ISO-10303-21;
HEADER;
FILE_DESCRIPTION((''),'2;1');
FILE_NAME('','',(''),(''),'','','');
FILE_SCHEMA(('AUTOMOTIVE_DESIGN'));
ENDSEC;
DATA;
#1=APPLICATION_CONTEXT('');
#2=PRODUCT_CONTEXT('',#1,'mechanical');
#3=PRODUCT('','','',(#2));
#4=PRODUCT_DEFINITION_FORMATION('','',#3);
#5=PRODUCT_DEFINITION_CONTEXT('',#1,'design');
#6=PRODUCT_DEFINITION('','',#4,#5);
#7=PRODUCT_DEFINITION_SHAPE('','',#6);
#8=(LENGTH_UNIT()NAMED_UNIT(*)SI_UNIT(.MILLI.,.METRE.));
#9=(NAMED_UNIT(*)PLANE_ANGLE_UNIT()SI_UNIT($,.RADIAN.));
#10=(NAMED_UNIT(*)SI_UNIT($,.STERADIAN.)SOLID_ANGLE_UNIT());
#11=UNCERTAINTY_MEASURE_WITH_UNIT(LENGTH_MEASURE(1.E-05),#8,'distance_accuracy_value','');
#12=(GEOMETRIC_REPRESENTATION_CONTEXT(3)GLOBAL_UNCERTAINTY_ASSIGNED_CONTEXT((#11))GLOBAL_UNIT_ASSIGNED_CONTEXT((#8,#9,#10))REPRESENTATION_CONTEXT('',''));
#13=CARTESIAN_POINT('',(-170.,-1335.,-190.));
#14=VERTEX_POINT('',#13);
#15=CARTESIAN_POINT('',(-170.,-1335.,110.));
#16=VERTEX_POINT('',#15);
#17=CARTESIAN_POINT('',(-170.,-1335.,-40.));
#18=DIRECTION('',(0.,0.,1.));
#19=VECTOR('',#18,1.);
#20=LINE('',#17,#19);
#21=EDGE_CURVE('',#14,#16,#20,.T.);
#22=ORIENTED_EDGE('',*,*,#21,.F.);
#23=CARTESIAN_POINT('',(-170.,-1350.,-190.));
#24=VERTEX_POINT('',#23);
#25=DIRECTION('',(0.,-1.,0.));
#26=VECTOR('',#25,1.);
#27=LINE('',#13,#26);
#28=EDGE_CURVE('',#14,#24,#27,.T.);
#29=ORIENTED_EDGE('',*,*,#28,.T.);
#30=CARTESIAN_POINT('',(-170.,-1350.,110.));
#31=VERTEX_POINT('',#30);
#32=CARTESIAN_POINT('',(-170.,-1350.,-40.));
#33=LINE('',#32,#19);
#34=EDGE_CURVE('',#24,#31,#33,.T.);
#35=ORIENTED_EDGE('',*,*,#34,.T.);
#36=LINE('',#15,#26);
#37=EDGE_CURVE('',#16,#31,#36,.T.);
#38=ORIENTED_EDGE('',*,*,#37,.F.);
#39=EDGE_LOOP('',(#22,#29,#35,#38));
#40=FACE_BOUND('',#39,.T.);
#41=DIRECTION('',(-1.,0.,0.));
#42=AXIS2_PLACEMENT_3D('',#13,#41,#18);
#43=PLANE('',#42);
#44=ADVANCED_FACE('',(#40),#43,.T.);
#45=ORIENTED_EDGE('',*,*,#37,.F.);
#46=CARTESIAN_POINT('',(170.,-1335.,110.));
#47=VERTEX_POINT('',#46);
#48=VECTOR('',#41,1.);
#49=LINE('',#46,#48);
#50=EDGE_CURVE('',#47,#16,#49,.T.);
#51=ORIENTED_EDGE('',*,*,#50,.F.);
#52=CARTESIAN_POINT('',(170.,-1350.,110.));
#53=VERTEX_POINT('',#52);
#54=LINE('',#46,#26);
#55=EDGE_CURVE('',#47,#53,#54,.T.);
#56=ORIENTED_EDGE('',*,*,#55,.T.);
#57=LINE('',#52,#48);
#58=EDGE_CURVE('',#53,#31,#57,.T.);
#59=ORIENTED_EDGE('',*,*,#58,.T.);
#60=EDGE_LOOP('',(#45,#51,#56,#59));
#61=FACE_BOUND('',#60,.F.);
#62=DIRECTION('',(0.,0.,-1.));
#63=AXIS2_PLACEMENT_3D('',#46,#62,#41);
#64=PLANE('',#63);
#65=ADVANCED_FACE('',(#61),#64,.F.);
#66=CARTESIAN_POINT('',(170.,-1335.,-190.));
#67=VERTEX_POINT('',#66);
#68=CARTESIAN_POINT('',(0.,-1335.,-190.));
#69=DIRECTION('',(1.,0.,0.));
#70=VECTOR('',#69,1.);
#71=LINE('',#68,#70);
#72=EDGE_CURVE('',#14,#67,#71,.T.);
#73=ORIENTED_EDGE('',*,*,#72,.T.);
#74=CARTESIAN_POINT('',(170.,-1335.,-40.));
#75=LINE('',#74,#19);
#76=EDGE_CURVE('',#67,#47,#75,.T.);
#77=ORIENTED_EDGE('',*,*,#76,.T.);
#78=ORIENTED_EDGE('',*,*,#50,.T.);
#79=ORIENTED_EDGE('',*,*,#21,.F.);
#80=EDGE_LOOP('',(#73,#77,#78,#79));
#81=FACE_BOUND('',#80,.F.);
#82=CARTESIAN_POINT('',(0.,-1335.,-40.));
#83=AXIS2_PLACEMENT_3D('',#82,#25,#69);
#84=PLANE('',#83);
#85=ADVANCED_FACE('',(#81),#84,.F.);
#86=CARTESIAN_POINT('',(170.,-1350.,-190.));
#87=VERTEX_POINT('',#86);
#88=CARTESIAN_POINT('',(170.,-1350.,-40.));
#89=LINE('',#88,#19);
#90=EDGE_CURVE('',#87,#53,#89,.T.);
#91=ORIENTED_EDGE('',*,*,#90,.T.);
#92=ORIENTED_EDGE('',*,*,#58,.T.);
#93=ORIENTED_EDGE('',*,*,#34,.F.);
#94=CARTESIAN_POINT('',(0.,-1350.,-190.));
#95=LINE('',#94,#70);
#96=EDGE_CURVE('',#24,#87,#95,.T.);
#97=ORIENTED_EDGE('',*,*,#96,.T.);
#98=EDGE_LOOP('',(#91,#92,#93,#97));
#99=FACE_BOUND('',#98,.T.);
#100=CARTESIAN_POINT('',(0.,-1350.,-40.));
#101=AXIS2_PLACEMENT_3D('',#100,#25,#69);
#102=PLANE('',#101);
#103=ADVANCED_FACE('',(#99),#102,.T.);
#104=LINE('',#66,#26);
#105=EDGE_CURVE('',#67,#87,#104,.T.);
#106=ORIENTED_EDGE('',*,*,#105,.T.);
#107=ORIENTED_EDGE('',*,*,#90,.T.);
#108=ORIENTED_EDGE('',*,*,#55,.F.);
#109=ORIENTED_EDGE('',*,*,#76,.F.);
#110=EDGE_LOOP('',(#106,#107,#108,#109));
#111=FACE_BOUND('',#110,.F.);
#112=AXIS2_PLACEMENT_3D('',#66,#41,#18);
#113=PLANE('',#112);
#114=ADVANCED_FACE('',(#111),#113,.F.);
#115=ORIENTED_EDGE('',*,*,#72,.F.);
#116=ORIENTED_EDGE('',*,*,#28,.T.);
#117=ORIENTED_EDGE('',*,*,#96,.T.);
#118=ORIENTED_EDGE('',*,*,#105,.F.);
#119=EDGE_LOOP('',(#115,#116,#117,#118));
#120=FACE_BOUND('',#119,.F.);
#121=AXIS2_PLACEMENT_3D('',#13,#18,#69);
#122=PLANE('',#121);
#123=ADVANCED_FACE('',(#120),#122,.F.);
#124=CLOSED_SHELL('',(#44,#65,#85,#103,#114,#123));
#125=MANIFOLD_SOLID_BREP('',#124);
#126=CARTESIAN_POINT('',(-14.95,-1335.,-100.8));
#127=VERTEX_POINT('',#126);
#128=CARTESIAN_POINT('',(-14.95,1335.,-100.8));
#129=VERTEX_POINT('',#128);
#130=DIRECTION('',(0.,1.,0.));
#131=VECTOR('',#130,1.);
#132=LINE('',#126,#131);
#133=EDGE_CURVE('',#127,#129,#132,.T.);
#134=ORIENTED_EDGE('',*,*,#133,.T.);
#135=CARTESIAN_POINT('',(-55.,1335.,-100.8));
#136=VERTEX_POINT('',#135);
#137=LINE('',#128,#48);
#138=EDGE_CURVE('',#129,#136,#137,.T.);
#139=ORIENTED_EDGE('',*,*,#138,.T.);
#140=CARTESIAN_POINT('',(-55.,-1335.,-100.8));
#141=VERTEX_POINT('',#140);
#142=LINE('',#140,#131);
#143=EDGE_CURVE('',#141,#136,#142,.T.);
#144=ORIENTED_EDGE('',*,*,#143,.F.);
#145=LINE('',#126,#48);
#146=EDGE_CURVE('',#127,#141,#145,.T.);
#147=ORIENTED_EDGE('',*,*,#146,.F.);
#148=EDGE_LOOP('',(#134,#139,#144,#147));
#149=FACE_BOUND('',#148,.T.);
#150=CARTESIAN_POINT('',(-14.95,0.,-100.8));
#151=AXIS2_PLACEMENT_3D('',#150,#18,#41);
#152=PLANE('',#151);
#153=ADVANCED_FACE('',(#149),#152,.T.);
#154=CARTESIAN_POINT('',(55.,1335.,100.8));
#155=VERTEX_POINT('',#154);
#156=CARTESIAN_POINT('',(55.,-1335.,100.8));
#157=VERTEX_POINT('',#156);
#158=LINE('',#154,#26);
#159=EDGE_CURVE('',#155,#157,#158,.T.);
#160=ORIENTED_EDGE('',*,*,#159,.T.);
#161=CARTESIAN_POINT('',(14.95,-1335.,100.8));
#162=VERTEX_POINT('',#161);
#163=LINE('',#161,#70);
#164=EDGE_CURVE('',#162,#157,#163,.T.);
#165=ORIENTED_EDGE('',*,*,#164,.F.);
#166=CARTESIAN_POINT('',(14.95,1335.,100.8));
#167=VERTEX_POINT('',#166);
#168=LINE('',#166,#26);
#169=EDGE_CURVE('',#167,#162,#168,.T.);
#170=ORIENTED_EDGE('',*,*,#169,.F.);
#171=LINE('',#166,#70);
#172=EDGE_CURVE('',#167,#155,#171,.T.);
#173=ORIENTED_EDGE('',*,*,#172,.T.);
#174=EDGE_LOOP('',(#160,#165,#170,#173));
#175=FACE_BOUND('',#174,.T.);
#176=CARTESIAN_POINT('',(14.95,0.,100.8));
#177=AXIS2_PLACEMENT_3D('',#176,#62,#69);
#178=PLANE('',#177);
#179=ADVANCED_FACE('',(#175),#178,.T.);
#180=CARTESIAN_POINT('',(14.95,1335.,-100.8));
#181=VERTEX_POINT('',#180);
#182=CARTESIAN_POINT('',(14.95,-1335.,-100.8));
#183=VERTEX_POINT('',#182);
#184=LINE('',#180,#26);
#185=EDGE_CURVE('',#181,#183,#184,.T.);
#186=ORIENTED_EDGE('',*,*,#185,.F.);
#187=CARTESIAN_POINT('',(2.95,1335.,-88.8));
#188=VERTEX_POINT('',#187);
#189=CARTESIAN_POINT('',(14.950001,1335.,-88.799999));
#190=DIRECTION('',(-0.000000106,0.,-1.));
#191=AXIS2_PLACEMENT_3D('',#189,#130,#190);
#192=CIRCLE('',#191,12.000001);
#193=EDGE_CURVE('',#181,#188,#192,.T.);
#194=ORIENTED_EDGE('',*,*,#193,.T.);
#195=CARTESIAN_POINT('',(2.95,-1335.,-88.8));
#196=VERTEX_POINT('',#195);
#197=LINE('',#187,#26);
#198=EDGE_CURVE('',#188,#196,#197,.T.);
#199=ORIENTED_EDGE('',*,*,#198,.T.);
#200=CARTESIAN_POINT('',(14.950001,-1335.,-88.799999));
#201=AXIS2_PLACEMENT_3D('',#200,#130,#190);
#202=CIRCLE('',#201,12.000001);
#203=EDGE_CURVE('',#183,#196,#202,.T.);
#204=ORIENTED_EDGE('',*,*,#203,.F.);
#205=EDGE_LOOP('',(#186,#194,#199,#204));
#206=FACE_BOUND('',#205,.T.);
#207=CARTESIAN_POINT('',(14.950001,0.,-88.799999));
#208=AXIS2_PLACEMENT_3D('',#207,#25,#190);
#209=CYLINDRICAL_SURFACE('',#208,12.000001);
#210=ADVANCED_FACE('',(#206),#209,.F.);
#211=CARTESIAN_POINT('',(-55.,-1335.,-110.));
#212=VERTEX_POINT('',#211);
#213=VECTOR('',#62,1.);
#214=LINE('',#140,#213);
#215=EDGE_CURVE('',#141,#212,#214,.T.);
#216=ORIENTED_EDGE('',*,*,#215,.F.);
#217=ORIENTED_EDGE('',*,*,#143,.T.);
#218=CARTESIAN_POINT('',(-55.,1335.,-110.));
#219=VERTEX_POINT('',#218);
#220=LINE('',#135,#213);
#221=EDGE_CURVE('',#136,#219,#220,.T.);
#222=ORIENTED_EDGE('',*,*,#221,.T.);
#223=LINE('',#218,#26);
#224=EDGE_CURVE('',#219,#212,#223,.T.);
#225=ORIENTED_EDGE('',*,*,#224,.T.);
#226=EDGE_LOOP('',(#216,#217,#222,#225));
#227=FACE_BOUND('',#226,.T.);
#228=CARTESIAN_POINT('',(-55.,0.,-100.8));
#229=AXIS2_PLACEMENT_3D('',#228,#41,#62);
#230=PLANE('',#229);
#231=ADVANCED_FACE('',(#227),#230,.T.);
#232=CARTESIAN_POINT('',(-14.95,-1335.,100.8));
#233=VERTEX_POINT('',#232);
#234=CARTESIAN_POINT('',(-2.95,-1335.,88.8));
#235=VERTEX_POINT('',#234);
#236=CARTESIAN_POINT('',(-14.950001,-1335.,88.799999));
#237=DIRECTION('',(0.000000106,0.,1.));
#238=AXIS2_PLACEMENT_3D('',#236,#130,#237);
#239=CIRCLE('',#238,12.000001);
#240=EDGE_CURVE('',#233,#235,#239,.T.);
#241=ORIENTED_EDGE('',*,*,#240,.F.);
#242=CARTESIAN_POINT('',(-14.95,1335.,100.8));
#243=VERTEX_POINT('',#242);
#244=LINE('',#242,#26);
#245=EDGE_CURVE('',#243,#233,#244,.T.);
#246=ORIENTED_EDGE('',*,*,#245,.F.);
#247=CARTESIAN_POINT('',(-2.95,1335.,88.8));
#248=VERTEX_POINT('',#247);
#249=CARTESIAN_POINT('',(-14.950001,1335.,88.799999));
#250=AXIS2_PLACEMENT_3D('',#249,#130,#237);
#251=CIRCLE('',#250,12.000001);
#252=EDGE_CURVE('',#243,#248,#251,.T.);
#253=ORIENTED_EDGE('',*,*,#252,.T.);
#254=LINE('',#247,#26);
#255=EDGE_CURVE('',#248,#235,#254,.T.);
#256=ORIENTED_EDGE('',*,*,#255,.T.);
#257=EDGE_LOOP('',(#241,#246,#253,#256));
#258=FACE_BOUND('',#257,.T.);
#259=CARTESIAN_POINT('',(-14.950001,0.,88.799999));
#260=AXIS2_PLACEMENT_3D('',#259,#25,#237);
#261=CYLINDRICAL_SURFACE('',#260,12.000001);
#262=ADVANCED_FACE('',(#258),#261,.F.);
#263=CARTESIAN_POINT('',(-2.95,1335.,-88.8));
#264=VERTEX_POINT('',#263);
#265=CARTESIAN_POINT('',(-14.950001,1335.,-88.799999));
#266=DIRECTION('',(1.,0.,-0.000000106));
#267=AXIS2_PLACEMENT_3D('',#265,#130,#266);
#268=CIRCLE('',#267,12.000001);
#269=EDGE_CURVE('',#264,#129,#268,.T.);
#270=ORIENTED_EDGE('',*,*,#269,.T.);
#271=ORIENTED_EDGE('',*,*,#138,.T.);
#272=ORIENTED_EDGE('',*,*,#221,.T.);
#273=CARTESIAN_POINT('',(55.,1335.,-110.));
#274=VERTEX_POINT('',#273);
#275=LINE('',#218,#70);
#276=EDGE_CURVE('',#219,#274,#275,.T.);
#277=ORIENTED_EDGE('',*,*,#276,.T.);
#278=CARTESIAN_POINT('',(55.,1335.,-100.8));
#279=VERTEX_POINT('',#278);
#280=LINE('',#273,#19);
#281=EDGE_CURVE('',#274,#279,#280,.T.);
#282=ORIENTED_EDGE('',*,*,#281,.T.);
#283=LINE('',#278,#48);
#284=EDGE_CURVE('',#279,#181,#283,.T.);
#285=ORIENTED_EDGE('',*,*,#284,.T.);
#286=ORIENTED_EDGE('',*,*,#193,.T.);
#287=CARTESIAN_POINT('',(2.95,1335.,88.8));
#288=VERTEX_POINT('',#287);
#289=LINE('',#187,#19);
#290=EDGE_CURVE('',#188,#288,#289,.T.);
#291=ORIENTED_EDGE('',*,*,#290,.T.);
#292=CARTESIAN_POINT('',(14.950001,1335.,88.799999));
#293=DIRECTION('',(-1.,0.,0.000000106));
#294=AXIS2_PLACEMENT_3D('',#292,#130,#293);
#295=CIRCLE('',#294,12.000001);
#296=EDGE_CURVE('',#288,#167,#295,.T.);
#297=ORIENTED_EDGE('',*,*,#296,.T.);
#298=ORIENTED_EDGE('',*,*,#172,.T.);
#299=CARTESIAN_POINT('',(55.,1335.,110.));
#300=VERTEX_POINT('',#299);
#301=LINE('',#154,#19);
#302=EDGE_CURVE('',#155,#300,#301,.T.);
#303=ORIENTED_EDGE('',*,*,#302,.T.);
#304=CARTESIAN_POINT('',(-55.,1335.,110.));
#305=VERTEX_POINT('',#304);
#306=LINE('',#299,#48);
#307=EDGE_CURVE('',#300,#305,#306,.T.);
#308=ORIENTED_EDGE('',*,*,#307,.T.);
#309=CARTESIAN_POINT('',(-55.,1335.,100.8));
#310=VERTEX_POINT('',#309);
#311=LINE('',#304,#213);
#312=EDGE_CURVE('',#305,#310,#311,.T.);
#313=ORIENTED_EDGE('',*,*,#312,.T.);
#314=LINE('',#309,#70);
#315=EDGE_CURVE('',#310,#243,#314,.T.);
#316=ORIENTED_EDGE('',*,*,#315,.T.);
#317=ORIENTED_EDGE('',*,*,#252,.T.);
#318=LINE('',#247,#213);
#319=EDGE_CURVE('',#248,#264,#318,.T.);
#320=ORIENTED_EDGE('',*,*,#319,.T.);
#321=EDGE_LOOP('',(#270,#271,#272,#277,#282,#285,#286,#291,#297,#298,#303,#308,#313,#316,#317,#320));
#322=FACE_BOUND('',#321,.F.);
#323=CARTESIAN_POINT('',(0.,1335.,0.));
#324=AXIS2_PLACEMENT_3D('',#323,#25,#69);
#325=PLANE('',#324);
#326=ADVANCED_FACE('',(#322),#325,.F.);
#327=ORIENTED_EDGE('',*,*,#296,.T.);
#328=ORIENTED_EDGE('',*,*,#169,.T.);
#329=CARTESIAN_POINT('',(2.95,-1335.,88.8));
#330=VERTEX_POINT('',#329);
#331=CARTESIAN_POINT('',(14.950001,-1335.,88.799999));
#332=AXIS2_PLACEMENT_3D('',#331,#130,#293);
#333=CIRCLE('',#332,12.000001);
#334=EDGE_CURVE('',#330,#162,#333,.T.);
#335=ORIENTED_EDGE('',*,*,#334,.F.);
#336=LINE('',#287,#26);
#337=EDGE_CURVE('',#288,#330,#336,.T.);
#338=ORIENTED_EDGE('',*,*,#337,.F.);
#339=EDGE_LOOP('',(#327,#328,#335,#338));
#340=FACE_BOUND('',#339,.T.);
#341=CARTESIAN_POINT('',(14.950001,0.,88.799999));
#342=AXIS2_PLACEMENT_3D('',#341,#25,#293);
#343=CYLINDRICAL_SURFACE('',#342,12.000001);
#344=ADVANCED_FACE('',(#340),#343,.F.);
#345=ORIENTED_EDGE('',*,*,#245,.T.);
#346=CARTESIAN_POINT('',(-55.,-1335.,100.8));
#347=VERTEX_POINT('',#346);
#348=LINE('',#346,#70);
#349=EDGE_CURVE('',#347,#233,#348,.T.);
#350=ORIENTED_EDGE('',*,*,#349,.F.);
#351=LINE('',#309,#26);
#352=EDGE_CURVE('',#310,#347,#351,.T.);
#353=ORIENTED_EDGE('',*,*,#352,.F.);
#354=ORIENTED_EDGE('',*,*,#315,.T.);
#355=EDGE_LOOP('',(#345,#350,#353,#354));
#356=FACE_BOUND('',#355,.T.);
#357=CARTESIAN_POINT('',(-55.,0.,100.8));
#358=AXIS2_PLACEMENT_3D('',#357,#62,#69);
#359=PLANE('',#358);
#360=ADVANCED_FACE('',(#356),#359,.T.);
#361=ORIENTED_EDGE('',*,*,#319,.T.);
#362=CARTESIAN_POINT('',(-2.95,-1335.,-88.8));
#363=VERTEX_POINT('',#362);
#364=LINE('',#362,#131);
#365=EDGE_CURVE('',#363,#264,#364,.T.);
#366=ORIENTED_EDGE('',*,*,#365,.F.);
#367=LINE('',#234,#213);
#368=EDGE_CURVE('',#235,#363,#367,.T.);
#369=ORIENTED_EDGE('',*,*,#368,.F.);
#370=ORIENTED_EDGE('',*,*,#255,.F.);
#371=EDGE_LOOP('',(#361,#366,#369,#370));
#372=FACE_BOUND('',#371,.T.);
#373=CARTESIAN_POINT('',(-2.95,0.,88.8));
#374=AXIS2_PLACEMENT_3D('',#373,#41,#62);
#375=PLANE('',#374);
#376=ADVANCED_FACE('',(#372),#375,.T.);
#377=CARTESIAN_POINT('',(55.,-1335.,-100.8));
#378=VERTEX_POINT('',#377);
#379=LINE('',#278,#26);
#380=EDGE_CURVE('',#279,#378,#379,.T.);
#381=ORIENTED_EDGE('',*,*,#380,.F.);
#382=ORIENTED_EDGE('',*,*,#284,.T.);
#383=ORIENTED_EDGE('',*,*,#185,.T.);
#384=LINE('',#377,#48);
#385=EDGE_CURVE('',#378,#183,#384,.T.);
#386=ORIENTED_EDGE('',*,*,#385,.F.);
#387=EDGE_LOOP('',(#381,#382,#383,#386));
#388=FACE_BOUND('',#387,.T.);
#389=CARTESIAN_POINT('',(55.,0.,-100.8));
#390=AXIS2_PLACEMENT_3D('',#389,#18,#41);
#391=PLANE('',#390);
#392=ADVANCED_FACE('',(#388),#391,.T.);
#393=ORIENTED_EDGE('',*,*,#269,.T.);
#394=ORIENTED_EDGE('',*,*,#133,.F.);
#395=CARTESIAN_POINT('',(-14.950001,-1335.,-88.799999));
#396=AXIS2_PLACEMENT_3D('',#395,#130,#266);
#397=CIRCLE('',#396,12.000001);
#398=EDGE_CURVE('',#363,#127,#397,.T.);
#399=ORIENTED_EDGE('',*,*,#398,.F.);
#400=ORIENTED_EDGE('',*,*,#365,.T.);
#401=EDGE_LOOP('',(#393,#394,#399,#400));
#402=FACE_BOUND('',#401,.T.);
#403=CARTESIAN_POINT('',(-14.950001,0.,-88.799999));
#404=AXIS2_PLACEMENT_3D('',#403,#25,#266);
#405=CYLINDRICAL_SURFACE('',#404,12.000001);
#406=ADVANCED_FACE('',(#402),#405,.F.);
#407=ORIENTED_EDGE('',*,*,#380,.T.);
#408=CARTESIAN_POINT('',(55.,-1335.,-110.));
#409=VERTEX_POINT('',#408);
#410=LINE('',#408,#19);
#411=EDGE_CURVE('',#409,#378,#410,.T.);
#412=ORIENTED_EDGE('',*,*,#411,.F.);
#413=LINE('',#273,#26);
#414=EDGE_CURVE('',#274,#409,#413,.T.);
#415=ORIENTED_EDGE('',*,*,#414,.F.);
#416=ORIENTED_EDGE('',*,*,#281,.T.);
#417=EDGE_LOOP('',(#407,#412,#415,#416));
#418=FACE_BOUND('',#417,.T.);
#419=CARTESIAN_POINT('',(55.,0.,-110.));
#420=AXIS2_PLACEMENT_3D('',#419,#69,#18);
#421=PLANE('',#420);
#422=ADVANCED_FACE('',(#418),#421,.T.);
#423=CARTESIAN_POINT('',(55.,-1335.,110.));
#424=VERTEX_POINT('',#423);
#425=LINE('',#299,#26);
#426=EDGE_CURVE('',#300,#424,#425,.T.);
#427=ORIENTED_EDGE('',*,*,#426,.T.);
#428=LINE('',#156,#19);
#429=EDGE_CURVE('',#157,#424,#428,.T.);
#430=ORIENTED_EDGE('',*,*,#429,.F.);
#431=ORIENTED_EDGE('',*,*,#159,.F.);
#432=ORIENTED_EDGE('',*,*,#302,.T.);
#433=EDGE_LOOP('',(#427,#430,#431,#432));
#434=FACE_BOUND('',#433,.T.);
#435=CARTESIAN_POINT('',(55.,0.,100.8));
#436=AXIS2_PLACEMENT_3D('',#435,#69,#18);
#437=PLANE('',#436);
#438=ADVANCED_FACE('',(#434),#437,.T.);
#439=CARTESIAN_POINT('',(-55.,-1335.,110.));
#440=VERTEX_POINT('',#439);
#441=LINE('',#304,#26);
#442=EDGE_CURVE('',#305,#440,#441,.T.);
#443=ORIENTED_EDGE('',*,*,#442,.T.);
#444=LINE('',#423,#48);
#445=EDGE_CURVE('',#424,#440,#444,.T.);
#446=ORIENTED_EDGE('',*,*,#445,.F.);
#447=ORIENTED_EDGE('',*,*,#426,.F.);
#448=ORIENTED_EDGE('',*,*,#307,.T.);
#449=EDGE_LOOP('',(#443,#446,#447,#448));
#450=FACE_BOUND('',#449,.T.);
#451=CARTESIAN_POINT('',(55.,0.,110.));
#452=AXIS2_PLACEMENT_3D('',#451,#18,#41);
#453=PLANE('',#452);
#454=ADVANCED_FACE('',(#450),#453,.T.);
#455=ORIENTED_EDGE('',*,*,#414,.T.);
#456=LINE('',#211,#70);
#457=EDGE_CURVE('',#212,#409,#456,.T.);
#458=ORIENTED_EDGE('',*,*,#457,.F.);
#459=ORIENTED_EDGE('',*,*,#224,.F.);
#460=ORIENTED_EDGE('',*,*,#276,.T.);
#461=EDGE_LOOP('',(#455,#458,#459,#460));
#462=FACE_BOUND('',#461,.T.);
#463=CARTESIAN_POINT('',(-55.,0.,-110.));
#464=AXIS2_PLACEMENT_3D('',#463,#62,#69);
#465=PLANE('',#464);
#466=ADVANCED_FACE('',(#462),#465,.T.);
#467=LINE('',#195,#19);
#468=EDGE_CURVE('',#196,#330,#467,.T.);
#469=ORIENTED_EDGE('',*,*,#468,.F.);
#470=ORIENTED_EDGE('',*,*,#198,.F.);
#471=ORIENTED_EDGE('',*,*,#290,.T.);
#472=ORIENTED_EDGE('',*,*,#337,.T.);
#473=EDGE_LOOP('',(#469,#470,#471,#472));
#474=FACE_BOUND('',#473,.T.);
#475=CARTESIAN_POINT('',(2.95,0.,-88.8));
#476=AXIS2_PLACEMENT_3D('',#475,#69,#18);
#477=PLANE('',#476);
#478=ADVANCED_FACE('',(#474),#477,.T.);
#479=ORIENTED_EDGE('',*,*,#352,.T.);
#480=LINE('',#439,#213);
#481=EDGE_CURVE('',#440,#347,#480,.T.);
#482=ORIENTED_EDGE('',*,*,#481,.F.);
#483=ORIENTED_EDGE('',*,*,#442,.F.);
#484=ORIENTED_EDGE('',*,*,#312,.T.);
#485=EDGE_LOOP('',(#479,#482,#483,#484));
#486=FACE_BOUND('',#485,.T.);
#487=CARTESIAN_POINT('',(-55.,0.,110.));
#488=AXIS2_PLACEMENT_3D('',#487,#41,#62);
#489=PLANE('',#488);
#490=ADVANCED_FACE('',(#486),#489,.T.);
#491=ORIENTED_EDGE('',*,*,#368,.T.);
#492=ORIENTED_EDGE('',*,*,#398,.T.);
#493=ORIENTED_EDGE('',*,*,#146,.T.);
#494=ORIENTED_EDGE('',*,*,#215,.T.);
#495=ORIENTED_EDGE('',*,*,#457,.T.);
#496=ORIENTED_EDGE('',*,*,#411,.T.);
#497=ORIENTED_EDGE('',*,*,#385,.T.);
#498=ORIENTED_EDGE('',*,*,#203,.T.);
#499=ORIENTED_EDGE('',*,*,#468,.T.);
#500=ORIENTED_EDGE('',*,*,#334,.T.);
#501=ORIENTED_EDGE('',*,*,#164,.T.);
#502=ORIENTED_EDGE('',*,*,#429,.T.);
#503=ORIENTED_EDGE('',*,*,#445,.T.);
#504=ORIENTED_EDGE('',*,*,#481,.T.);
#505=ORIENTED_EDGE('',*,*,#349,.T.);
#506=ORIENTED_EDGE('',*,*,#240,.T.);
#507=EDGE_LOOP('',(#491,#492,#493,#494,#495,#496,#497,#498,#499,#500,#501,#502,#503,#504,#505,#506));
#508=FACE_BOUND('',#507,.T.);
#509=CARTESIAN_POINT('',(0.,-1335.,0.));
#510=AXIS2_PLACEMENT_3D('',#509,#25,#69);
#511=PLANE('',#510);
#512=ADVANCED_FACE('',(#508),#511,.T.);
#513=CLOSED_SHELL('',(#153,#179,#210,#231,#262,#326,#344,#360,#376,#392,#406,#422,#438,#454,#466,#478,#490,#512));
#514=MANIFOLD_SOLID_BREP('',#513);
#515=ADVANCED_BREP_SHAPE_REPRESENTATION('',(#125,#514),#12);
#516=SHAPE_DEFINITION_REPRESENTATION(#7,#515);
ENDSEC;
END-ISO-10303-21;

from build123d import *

# Parameters (mm, degrees)
F1_DEPTH = 1335
F2_W     = 340
F2_H     = 300
F3_DEPTH = 15


with BuildPart() as f1:
    # F0 (on Front) → F1 (new body, symmetric)
    with BuildSketch(Plane.XZ):
        with BuildLine():
            Line((-55, -100.8), (-55, -110))
            Line((-55, -110), (0, -110))
            Line((0, -110), (55, -110))
            Line((55, -110), (55, -100.8))
            Line((55, -100.8), (14.95, -100.8))
            ThreePointArc((14.95, -100.8), (6.464719, -97.285281), (2.95, -88.8))
            Line((2.95, -88.8), (2.95, 0))
            Line((2.95, 0), (2.95, 88.8))
            ThreePointArc((2.95, 88.8), (6.464719, 97.285281), (14.95, 100.8))
            Line((14.95, 100.8), (55, 100.8))
            Line((55, 100.8), (55, 110))
            Line((55, 110), (0, 110))
            Line((0, 110), (-55, 110))
            Line((-55, 110), (-55, 100.8))
            Line((-55, 100.8), (-14.95, 100.8))
            ThreePointArc((-14.95, 100.8), (-6.464719, 97.285281), (-2.95, 88.8))
            Line((-2.95, 88.8), (-2.95, 0))
            Line((-2.95, 0), (-2.95, -88.8))
            ThreePointArc((-2.95, -88.8), (-6.464719, -97.285281), (-14.95, -100.8))
            Line((-14.95, -100.8), (-55, -100.8))
        make_face()
    extrude(amount=F1_DEPTH, both=True)


with BuildPart() as f3:
    # F2 (on face) → F3 (new body)
    with BuildSketch(Plane.XZ.offset(1335)):
        with Locations((0, -40)):
            Rectangle(F2_W, F2_H)
        with BuildLine():
            Line((-55, 110), (-170, 110))
            Line((-170, 110), (-170, -190))
            Line((-170, -190), (170, -190))
            Line((170, -190), (170, 110))
            Line((170, 110), (55, 110))
            Line((55, 110), (55, 100.8))
            Line((55, 100.8), (14.95, 100.8))
            ThreePointArc((14.95, 100.8), (6.464719, 97.285281), (2.95, 88.8))
            Line((2.95, 88.8), (2.95, -88.8))
            ThreePointArc((2.95, -88.8), (6.464719, -97.285281), (14.95, -100.8))
            Line((14.95, -100.8), (55, -100.8))
            Line((55, -100.8), (55, -110))
            Line((55, -110), (-55, -110))
            Line((-55, -110), (-55, -100.8))
            Line((-55, -100.8), (-14.95, -100.8))
            ThreePointArc((-14.95, -100.8), (-6.464719, -97.285281), (-2.95, -88.8))
            Line((-2.95, -88.8), (-2.95, 88.8))
            ThreePointArc((-2.95, 88.8), (-6.464719, 97.285281), (-14.95, 100.8))
            Line((-14.95, 100.8), (-55, 100.8))
            Line((-55, 100.8), (-55, 110))
        make_face()
    extrude(amount=F3_DEPTH)


solid = Compound([f1.part, f3.part])
